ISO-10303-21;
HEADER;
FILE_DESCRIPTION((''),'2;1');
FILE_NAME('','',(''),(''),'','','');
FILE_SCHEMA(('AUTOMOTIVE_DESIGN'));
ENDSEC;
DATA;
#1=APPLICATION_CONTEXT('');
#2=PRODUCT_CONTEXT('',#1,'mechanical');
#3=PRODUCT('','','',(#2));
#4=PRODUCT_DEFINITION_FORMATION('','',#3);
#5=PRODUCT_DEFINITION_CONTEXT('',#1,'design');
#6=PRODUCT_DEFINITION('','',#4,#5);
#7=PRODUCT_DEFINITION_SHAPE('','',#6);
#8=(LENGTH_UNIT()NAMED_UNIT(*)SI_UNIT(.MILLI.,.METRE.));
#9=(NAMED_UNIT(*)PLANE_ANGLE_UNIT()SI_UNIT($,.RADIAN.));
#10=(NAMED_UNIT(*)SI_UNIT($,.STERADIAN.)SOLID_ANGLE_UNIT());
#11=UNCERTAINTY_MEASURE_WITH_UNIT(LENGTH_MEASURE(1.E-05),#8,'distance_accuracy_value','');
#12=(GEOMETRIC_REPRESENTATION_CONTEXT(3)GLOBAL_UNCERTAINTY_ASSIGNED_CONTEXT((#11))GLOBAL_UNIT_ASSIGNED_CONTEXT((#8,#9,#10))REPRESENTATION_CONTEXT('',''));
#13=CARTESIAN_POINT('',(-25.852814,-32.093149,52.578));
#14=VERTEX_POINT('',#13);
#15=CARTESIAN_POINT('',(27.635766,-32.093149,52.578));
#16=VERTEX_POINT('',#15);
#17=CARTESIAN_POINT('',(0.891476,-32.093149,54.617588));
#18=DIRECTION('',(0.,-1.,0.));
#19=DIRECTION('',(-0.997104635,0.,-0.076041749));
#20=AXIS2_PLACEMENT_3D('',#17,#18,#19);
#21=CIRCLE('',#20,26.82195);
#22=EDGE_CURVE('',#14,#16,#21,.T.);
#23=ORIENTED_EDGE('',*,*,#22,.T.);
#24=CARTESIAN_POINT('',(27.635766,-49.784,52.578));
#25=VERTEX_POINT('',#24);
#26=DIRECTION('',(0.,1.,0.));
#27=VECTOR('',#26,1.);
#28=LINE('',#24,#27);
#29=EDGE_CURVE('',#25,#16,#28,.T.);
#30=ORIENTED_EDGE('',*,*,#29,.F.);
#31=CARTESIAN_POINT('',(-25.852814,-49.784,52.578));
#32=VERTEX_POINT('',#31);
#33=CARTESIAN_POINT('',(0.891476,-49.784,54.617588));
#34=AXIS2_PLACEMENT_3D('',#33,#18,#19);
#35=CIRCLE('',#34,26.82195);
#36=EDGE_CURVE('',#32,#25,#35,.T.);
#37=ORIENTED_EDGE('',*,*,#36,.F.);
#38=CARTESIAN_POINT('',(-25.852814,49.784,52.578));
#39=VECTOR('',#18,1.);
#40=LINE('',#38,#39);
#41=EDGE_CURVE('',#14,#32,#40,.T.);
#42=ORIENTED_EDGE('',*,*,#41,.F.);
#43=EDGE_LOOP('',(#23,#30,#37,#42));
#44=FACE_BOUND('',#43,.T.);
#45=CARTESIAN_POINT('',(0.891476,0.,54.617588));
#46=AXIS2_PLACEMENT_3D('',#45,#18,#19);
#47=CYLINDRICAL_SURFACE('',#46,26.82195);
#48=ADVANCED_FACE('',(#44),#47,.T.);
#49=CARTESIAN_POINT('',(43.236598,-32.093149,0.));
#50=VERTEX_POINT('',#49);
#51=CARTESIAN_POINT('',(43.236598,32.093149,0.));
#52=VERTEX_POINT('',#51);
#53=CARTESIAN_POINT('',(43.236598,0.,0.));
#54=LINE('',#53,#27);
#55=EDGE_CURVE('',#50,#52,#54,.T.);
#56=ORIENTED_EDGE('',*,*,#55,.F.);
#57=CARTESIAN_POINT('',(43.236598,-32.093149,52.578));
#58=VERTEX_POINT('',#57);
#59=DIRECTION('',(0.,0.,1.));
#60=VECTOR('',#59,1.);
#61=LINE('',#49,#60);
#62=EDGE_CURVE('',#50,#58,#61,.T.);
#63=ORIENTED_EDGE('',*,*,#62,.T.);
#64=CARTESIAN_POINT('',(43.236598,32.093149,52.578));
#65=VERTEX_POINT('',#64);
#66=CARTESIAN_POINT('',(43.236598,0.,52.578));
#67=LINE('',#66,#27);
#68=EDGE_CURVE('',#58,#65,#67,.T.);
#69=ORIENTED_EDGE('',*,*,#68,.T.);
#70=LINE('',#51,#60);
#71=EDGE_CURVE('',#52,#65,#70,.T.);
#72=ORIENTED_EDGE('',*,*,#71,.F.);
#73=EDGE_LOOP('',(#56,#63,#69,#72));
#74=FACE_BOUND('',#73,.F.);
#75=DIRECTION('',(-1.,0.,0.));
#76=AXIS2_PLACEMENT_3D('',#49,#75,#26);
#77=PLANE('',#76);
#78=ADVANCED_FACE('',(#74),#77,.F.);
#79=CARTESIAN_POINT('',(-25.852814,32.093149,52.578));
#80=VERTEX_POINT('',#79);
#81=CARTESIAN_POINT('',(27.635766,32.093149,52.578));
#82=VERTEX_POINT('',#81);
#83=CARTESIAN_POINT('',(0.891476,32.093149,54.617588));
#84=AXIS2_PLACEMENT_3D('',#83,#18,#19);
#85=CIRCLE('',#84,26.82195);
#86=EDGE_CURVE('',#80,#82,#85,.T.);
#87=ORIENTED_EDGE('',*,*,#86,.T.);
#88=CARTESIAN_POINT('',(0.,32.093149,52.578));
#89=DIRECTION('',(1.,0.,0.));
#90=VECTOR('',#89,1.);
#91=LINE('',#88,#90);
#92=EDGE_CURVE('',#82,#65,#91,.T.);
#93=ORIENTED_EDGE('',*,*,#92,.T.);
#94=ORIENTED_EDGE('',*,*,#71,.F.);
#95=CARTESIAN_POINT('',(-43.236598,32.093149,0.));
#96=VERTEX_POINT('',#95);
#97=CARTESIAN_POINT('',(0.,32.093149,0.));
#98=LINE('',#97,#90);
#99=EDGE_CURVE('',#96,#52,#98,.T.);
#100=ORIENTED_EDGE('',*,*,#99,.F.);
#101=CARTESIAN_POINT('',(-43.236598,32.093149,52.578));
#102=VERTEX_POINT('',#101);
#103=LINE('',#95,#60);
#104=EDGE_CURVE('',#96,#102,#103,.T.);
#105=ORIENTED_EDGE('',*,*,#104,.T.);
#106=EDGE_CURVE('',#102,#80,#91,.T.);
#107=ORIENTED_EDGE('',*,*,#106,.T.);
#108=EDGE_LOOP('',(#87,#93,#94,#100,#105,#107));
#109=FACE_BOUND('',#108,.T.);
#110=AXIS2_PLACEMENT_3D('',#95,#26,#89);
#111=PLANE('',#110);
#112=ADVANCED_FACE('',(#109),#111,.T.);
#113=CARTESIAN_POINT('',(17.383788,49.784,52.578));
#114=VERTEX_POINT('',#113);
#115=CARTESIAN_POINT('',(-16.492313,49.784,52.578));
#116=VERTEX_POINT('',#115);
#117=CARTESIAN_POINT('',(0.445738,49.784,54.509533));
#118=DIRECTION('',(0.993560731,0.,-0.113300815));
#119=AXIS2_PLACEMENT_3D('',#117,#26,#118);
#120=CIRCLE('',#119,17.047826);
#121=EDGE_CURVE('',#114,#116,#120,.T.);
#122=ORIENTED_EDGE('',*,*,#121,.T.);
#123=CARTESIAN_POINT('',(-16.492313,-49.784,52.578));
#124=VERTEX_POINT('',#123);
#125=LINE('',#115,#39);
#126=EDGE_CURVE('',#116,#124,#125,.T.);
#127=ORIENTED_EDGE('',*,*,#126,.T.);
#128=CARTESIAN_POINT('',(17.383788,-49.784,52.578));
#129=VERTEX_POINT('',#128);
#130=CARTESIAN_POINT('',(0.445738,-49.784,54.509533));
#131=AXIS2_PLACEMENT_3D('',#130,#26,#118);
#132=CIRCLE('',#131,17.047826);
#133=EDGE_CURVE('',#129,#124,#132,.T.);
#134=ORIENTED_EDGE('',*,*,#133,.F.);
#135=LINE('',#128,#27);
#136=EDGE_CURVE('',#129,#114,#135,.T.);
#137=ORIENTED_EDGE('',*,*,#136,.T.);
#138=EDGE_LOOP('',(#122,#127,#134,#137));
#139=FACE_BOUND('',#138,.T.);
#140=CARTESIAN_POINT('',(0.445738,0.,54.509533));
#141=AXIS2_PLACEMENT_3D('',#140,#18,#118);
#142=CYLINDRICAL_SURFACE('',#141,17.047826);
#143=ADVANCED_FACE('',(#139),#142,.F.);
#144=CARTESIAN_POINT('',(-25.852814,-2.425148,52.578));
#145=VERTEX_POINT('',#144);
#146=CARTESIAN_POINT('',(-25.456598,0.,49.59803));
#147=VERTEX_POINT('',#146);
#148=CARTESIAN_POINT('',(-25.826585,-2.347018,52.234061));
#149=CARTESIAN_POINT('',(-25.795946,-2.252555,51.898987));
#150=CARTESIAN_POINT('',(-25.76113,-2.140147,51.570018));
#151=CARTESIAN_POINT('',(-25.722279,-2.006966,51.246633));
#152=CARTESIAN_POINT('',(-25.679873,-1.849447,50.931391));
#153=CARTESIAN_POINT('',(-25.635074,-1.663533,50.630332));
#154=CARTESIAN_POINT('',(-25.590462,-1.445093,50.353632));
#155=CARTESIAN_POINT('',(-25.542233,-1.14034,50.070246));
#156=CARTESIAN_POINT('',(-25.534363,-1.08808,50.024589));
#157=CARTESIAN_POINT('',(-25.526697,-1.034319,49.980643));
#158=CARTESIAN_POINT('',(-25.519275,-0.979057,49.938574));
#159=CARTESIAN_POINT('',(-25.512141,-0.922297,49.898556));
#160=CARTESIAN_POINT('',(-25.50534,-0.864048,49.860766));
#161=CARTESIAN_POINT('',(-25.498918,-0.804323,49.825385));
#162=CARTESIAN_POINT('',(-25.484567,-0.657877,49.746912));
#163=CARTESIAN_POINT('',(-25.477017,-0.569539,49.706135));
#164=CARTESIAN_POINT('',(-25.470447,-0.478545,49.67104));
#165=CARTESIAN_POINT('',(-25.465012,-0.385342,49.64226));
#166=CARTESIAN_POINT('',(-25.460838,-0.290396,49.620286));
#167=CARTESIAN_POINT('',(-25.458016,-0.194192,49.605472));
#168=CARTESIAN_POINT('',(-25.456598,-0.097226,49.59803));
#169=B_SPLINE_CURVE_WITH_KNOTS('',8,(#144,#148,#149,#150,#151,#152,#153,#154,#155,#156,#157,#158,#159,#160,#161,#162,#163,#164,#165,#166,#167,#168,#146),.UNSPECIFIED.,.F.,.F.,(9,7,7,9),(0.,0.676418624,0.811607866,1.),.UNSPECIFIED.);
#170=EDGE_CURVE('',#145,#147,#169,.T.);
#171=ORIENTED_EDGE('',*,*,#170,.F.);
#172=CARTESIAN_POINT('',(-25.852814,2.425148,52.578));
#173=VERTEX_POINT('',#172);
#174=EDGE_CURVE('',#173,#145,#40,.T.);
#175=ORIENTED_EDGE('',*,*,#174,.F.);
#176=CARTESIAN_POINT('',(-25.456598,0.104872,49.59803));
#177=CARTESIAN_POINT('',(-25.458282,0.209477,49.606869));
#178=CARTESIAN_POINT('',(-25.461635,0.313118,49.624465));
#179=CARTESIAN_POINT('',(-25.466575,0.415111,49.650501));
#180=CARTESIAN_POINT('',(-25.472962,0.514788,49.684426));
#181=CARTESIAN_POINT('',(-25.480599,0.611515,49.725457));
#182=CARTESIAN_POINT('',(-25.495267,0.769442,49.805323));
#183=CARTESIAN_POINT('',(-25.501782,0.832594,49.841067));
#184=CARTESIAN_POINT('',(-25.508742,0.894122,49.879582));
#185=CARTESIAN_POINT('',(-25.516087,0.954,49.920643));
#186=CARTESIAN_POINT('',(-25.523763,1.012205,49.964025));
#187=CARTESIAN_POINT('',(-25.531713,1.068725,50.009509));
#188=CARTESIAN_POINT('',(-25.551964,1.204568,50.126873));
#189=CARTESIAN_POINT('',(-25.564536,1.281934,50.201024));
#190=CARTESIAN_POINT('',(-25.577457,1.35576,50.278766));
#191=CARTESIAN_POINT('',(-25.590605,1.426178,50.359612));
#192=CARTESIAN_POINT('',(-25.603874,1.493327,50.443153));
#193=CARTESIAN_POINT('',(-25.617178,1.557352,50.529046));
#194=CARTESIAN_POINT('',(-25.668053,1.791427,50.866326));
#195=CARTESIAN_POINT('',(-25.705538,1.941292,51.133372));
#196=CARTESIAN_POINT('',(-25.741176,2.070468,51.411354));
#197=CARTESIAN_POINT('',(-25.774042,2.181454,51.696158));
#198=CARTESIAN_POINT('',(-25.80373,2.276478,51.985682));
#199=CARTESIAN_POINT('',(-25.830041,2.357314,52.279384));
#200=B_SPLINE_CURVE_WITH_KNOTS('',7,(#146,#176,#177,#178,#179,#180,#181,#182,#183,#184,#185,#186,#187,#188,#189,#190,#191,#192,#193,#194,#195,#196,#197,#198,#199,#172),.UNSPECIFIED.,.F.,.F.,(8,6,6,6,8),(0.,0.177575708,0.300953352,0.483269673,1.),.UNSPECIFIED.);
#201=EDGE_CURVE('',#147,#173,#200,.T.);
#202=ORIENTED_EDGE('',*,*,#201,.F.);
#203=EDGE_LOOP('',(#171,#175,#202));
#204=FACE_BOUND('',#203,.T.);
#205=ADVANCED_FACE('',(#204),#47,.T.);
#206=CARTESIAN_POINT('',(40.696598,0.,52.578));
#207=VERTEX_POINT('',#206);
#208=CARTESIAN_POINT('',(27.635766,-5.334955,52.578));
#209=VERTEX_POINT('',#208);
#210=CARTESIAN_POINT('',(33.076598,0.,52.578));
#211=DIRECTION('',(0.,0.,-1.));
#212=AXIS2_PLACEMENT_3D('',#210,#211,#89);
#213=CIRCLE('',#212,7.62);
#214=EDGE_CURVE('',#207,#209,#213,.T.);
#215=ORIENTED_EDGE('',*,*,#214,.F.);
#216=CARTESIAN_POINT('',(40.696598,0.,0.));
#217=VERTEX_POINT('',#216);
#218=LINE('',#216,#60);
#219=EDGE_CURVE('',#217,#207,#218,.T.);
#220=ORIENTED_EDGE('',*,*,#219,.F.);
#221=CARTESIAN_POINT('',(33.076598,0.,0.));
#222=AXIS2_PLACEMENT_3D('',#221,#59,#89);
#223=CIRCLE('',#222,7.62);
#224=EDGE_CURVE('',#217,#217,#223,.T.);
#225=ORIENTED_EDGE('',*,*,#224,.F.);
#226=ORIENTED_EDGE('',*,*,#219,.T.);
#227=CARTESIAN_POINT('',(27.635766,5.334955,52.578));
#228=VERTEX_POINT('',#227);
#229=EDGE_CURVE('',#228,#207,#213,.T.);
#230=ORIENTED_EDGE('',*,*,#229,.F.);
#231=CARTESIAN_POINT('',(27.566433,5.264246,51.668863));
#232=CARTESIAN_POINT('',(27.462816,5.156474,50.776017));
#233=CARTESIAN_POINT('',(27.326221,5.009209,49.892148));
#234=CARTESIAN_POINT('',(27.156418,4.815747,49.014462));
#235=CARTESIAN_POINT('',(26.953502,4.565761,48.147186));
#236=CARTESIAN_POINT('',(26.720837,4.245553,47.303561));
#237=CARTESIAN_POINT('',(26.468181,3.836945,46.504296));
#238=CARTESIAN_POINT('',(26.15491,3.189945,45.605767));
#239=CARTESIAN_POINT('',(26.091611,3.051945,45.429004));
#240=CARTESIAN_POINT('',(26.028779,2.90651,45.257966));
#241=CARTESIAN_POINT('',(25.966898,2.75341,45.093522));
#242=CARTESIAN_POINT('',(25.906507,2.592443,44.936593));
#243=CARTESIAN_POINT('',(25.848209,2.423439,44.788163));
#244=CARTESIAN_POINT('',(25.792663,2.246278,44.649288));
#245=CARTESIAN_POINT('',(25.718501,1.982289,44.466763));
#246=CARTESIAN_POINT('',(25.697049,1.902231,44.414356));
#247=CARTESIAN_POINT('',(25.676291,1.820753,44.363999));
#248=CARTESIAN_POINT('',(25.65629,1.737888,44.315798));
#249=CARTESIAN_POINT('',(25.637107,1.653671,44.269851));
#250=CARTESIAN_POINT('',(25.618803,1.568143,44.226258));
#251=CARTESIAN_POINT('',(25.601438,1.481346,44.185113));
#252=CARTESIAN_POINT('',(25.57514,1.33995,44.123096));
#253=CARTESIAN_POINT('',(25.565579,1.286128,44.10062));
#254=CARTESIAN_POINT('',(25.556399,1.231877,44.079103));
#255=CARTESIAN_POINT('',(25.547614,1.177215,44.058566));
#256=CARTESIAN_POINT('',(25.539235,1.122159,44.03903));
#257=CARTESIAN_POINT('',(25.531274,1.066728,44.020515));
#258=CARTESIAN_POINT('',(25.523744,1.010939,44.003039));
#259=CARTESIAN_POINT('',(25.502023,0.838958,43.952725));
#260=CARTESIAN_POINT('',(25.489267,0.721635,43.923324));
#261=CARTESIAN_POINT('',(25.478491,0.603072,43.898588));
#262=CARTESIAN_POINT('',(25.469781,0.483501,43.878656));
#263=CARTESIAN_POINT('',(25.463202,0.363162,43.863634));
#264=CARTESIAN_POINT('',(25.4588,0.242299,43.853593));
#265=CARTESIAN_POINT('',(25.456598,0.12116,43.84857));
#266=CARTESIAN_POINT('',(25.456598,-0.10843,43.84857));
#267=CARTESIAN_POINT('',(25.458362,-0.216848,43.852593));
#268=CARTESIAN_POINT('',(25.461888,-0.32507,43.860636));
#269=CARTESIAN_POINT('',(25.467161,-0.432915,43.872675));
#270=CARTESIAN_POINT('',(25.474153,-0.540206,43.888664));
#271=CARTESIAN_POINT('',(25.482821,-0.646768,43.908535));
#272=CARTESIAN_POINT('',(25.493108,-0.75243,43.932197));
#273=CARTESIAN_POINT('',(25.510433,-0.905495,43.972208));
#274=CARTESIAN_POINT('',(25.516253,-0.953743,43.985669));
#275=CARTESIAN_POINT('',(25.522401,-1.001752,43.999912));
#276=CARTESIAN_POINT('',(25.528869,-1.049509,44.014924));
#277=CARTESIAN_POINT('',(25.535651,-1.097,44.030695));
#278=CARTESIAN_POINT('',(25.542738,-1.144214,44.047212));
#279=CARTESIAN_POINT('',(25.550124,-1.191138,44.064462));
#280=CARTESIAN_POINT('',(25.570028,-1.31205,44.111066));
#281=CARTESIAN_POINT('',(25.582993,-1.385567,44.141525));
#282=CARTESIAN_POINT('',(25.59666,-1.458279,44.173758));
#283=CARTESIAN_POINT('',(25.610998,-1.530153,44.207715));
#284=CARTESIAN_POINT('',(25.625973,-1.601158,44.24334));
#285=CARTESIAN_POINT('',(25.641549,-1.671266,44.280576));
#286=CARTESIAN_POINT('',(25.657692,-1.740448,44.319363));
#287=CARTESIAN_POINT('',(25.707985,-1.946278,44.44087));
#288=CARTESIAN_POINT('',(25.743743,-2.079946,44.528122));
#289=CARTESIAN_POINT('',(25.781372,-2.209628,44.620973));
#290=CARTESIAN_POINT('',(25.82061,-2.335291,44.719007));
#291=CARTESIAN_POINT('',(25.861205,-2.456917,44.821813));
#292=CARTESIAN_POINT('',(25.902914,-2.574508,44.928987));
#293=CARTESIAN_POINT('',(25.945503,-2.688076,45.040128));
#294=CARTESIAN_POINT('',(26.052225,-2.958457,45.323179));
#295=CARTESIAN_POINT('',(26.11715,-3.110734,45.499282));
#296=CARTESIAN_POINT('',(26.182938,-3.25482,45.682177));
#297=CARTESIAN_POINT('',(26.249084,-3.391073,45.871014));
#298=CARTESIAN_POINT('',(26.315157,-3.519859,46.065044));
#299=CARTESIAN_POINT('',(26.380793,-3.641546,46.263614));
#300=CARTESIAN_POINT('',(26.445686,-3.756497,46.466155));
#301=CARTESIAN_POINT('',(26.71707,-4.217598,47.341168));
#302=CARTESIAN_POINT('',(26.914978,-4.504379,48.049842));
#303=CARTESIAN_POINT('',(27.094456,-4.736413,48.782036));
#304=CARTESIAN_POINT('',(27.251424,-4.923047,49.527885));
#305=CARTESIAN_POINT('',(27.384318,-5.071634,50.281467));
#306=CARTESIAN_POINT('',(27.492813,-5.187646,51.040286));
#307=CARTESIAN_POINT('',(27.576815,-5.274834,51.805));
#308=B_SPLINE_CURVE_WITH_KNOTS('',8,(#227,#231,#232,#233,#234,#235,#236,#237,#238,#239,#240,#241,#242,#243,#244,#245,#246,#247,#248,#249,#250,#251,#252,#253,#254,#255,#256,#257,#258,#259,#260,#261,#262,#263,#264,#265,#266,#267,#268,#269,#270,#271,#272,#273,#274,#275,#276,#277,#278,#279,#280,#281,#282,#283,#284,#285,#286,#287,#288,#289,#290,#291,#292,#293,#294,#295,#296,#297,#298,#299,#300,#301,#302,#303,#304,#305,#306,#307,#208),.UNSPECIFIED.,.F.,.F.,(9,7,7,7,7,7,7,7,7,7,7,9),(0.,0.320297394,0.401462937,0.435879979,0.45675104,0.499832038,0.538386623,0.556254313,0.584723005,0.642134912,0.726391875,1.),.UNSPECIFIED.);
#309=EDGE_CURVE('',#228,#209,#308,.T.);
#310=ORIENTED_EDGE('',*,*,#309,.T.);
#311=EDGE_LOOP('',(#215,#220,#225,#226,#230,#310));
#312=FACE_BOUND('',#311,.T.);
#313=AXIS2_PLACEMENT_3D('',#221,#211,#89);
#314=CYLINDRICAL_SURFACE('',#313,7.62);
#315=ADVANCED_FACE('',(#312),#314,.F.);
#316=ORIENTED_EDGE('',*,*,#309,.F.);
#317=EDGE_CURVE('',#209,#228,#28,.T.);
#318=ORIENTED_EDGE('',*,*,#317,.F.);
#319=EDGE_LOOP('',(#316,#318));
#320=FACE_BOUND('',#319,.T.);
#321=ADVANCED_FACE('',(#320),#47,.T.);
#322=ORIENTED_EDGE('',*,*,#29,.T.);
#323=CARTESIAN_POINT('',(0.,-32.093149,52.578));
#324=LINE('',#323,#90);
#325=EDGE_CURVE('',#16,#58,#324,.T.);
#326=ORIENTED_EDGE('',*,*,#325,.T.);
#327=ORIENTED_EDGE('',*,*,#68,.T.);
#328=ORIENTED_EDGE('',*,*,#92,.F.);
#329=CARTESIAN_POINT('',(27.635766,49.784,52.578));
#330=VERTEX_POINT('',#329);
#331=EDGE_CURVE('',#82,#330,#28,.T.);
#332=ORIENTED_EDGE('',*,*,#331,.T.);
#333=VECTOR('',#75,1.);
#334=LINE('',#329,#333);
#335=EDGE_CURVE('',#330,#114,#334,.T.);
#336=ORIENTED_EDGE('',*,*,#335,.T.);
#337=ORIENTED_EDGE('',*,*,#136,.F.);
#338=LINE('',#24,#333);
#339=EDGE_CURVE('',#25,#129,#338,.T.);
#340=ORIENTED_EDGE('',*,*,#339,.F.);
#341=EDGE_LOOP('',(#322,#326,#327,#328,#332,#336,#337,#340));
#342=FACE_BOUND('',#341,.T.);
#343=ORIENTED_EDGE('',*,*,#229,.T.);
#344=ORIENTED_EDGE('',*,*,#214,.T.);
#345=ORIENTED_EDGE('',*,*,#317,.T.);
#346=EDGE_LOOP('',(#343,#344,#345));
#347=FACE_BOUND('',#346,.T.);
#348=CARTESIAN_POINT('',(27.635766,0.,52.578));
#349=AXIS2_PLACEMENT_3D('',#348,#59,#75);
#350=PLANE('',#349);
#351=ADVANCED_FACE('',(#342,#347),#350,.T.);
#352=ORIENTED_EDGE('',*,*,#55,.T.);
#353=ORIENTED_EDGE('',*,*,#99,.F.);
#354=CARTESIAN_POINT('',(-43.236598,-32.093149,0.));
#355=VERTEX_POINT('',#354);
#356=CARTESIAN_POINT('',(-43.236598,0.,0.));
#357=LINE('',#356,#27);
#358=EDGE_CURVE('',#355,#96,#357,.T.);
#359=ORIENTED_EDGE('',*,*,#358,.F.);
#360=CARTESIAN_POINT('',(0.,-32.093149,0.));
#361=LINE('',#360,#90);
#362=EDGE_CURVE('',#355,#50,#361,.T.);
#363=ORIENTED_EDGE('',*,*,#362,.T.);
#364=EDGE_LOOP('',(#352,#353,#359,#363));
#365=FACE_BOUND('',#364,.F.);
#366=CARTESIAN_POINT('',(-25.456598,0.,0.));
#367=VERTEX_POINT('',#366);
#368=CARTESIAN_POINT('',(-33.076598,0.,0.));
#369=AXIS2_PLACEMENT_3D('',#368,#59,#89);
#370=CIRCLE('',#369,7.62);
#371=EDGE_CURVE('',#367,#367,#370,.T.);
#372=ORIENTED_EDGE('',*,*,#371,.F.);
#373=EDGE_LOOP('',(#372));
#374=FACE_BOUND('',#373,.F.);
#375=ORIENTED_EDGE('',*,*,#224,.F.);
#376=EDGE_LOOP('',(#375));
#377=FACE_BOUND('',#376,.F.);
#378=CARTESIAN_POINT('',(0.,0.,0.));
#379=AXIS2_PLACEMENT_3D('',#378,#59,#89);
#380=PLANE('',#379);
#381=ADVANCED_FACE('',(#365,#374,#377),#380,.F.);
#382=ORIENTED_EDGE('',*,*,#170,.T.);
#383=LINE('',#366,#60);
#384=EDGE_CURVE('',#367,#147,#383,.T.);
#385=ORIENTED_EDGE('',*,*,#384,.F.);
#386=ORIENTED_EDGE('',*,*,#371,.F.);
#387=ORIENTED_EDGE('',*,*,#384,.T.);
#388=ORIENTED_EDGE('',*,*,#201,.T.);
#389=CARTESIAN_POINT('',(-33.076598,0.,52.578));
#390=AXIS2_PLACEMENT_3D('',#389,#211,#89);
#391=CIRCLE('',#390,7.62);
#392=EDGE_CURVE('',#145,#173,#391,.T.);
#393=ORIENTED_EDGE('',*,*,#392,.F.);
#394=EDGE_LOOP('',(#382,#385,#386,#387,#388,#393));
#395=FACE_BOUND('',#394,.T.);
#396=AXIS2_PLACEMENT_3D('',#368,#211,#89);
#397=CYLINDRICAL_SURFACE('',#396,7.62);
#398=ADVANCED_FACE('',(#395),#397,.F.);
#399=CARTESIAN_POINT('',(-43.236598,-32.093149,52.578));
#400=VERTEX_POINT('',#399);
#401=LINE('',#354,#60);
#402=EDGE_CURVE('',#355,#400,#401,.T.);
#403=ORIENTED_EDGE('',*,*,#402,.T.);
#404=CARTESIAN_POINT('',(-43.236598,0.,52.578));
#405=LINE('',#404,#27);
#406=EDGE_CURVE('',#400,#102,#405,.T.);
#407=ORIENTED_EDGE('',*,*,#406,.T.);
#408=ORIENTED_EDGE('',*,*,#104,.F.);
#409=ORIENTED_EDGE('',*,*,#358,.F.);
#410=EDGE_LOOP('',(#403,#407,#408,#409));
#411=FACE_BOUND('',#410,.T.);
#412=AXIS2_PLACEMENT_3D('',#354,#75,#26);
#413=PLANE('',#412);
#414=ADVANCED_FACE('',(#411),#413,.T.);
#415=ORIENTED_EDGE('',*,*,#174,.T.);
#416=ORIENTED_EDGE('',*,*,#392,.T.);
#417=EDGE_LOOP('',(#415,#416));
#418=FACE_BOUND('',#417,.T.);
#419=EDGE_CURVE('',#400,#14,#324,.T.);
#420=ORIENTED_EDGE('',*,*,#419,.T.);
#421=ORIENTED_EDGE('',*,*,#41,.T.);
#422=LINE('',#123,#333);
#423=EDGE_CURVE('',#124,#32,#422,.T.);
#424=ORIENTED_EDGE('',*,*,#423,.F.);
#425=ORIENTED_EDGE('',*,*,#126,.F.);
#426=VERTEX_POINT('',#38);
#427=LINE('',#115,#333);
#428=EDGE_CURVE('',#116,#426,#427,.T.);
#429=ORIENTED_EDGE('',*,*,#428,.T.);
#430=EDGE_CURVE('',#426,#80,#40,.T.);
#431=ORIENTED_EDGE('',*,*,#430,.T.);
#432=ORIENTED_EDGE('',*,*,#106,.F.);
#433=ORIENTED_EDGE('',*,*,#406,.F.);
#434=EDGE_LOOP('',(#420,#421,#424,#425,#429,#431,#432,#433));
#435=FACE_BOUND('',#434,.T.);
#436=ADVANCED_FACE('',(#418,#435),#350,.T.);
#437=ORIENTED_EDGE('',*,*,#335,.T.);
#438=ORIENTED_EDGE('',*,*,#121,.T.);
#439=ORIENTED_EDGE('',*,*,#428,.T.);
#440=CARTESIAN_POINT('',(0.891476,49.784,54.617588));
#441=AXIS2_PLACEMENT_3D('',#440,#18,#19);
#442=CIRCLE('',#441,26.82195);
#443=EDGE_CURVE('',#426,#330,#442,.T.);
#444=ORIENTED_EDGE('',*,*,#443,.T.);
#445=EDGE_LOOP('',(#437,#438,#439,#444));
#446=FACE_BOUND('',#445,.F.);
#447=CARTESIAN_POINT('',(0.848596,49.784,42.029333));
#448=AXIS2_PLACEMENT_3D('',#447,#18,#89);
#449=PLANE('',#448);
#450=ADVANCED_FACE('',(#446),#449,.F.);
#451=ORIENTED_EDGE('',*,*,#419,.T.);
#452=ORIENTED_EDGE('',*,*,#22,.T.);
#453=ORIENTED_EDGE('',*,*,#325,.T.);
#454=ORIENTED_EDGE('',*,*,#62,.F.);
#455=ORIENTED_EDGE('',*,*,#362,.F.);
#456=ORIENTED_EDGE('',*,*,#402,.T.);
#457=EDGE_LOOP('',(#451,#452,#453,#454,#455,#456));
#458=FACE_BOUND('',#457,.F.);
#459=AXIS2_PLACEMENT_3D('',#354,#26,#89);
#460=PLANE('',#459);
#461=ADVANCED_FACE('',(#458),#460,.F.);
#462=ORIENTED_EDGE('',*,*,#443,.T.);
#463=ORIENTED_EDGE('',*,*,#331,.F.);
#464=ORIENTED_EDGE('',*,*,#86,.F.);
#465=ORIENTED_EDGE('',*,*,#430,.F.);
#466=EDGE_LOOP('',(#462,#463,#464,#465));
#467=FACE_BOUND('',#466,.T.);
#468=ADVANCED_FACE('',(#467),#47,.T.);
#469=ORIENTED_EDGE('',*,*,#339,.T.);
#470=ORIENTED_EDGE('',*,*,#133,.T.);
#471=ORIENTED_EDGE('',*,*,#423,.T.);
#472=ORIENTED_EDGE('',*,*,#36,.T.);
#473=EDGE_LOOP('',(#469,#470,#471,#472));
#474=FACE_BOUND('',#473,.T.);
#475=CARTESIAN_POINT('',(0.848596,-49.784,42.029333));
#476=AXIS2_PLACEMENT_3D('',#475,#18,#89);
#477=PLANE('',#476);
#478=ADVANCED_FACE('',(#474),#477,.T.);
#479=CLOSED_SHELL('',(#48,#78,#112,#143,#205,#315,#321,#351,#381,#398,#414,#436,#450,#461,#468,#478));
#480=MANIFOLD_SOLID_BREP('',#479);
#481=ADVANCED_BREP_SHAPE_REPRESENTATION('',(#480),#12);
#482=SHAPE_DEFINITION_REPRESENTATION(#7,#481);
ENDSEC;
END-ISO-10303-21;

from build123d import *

# Parameters (mm, degrees)
F0_W     = 86.4731967449
F0_H     = 64.1862973571
F1_DEPTH = 52.578
F2_R     = 7.62
F3_DEPTH = 180.34
F5_DEPTH = 49.784
F7_DEPTH = 69.342


with BuildPart() as f1:
    # F0 (on Top) → F1 (new body)
    with BuildSketch(Plane.XY):
        Rectangle(F0_W, F0_H)
    extrude(amount=F1_DEPTH)

    # F2 (on Top) → F3 (cut)
    with BuildSketch(Plane.XY):
        with Locations((33.0765983725, 0)):
            Circle(F2_R)
        with Locations((-33.0765983725, 0)):
            Circle(F2_R)
    extrude(amount=F3_DEPTH, mode=Mode.SUBTRACT)

    # F4 (on Front) → F5 (join, symmetric)
    with BuildSketch(Plane.XZ):
        with BuildLine():
            ThreePointArc((17.383787781, 52.578), (0.4457375035, 37.4617067344), (-16.4923127741, 52.578))
            Line((-16.4923127741, 52.578), (-25.8528143167, 52.578))
            ThreePointArc((-25.8528143167, 52.578), (0.8914759383, 27.7956383617), (27.6357661933, 52.578))
            Line((27.6357661933, 52.578), (17.383787781, 52.578))
        make_face()
    extrude(amount=F5_DEPTH, both=True)

    # F7 (cut): a face of the model
    f7_faces = [f1.faces().sort_by_distance(p)[0] for p in [
        (0.4457375035, 32.0931486785, 46.2197735841),
    ]]
    extrude(f7_faces, amount=-F7_DEPTH, mode=Mode.SUBTRACT)


solid = f1.part
